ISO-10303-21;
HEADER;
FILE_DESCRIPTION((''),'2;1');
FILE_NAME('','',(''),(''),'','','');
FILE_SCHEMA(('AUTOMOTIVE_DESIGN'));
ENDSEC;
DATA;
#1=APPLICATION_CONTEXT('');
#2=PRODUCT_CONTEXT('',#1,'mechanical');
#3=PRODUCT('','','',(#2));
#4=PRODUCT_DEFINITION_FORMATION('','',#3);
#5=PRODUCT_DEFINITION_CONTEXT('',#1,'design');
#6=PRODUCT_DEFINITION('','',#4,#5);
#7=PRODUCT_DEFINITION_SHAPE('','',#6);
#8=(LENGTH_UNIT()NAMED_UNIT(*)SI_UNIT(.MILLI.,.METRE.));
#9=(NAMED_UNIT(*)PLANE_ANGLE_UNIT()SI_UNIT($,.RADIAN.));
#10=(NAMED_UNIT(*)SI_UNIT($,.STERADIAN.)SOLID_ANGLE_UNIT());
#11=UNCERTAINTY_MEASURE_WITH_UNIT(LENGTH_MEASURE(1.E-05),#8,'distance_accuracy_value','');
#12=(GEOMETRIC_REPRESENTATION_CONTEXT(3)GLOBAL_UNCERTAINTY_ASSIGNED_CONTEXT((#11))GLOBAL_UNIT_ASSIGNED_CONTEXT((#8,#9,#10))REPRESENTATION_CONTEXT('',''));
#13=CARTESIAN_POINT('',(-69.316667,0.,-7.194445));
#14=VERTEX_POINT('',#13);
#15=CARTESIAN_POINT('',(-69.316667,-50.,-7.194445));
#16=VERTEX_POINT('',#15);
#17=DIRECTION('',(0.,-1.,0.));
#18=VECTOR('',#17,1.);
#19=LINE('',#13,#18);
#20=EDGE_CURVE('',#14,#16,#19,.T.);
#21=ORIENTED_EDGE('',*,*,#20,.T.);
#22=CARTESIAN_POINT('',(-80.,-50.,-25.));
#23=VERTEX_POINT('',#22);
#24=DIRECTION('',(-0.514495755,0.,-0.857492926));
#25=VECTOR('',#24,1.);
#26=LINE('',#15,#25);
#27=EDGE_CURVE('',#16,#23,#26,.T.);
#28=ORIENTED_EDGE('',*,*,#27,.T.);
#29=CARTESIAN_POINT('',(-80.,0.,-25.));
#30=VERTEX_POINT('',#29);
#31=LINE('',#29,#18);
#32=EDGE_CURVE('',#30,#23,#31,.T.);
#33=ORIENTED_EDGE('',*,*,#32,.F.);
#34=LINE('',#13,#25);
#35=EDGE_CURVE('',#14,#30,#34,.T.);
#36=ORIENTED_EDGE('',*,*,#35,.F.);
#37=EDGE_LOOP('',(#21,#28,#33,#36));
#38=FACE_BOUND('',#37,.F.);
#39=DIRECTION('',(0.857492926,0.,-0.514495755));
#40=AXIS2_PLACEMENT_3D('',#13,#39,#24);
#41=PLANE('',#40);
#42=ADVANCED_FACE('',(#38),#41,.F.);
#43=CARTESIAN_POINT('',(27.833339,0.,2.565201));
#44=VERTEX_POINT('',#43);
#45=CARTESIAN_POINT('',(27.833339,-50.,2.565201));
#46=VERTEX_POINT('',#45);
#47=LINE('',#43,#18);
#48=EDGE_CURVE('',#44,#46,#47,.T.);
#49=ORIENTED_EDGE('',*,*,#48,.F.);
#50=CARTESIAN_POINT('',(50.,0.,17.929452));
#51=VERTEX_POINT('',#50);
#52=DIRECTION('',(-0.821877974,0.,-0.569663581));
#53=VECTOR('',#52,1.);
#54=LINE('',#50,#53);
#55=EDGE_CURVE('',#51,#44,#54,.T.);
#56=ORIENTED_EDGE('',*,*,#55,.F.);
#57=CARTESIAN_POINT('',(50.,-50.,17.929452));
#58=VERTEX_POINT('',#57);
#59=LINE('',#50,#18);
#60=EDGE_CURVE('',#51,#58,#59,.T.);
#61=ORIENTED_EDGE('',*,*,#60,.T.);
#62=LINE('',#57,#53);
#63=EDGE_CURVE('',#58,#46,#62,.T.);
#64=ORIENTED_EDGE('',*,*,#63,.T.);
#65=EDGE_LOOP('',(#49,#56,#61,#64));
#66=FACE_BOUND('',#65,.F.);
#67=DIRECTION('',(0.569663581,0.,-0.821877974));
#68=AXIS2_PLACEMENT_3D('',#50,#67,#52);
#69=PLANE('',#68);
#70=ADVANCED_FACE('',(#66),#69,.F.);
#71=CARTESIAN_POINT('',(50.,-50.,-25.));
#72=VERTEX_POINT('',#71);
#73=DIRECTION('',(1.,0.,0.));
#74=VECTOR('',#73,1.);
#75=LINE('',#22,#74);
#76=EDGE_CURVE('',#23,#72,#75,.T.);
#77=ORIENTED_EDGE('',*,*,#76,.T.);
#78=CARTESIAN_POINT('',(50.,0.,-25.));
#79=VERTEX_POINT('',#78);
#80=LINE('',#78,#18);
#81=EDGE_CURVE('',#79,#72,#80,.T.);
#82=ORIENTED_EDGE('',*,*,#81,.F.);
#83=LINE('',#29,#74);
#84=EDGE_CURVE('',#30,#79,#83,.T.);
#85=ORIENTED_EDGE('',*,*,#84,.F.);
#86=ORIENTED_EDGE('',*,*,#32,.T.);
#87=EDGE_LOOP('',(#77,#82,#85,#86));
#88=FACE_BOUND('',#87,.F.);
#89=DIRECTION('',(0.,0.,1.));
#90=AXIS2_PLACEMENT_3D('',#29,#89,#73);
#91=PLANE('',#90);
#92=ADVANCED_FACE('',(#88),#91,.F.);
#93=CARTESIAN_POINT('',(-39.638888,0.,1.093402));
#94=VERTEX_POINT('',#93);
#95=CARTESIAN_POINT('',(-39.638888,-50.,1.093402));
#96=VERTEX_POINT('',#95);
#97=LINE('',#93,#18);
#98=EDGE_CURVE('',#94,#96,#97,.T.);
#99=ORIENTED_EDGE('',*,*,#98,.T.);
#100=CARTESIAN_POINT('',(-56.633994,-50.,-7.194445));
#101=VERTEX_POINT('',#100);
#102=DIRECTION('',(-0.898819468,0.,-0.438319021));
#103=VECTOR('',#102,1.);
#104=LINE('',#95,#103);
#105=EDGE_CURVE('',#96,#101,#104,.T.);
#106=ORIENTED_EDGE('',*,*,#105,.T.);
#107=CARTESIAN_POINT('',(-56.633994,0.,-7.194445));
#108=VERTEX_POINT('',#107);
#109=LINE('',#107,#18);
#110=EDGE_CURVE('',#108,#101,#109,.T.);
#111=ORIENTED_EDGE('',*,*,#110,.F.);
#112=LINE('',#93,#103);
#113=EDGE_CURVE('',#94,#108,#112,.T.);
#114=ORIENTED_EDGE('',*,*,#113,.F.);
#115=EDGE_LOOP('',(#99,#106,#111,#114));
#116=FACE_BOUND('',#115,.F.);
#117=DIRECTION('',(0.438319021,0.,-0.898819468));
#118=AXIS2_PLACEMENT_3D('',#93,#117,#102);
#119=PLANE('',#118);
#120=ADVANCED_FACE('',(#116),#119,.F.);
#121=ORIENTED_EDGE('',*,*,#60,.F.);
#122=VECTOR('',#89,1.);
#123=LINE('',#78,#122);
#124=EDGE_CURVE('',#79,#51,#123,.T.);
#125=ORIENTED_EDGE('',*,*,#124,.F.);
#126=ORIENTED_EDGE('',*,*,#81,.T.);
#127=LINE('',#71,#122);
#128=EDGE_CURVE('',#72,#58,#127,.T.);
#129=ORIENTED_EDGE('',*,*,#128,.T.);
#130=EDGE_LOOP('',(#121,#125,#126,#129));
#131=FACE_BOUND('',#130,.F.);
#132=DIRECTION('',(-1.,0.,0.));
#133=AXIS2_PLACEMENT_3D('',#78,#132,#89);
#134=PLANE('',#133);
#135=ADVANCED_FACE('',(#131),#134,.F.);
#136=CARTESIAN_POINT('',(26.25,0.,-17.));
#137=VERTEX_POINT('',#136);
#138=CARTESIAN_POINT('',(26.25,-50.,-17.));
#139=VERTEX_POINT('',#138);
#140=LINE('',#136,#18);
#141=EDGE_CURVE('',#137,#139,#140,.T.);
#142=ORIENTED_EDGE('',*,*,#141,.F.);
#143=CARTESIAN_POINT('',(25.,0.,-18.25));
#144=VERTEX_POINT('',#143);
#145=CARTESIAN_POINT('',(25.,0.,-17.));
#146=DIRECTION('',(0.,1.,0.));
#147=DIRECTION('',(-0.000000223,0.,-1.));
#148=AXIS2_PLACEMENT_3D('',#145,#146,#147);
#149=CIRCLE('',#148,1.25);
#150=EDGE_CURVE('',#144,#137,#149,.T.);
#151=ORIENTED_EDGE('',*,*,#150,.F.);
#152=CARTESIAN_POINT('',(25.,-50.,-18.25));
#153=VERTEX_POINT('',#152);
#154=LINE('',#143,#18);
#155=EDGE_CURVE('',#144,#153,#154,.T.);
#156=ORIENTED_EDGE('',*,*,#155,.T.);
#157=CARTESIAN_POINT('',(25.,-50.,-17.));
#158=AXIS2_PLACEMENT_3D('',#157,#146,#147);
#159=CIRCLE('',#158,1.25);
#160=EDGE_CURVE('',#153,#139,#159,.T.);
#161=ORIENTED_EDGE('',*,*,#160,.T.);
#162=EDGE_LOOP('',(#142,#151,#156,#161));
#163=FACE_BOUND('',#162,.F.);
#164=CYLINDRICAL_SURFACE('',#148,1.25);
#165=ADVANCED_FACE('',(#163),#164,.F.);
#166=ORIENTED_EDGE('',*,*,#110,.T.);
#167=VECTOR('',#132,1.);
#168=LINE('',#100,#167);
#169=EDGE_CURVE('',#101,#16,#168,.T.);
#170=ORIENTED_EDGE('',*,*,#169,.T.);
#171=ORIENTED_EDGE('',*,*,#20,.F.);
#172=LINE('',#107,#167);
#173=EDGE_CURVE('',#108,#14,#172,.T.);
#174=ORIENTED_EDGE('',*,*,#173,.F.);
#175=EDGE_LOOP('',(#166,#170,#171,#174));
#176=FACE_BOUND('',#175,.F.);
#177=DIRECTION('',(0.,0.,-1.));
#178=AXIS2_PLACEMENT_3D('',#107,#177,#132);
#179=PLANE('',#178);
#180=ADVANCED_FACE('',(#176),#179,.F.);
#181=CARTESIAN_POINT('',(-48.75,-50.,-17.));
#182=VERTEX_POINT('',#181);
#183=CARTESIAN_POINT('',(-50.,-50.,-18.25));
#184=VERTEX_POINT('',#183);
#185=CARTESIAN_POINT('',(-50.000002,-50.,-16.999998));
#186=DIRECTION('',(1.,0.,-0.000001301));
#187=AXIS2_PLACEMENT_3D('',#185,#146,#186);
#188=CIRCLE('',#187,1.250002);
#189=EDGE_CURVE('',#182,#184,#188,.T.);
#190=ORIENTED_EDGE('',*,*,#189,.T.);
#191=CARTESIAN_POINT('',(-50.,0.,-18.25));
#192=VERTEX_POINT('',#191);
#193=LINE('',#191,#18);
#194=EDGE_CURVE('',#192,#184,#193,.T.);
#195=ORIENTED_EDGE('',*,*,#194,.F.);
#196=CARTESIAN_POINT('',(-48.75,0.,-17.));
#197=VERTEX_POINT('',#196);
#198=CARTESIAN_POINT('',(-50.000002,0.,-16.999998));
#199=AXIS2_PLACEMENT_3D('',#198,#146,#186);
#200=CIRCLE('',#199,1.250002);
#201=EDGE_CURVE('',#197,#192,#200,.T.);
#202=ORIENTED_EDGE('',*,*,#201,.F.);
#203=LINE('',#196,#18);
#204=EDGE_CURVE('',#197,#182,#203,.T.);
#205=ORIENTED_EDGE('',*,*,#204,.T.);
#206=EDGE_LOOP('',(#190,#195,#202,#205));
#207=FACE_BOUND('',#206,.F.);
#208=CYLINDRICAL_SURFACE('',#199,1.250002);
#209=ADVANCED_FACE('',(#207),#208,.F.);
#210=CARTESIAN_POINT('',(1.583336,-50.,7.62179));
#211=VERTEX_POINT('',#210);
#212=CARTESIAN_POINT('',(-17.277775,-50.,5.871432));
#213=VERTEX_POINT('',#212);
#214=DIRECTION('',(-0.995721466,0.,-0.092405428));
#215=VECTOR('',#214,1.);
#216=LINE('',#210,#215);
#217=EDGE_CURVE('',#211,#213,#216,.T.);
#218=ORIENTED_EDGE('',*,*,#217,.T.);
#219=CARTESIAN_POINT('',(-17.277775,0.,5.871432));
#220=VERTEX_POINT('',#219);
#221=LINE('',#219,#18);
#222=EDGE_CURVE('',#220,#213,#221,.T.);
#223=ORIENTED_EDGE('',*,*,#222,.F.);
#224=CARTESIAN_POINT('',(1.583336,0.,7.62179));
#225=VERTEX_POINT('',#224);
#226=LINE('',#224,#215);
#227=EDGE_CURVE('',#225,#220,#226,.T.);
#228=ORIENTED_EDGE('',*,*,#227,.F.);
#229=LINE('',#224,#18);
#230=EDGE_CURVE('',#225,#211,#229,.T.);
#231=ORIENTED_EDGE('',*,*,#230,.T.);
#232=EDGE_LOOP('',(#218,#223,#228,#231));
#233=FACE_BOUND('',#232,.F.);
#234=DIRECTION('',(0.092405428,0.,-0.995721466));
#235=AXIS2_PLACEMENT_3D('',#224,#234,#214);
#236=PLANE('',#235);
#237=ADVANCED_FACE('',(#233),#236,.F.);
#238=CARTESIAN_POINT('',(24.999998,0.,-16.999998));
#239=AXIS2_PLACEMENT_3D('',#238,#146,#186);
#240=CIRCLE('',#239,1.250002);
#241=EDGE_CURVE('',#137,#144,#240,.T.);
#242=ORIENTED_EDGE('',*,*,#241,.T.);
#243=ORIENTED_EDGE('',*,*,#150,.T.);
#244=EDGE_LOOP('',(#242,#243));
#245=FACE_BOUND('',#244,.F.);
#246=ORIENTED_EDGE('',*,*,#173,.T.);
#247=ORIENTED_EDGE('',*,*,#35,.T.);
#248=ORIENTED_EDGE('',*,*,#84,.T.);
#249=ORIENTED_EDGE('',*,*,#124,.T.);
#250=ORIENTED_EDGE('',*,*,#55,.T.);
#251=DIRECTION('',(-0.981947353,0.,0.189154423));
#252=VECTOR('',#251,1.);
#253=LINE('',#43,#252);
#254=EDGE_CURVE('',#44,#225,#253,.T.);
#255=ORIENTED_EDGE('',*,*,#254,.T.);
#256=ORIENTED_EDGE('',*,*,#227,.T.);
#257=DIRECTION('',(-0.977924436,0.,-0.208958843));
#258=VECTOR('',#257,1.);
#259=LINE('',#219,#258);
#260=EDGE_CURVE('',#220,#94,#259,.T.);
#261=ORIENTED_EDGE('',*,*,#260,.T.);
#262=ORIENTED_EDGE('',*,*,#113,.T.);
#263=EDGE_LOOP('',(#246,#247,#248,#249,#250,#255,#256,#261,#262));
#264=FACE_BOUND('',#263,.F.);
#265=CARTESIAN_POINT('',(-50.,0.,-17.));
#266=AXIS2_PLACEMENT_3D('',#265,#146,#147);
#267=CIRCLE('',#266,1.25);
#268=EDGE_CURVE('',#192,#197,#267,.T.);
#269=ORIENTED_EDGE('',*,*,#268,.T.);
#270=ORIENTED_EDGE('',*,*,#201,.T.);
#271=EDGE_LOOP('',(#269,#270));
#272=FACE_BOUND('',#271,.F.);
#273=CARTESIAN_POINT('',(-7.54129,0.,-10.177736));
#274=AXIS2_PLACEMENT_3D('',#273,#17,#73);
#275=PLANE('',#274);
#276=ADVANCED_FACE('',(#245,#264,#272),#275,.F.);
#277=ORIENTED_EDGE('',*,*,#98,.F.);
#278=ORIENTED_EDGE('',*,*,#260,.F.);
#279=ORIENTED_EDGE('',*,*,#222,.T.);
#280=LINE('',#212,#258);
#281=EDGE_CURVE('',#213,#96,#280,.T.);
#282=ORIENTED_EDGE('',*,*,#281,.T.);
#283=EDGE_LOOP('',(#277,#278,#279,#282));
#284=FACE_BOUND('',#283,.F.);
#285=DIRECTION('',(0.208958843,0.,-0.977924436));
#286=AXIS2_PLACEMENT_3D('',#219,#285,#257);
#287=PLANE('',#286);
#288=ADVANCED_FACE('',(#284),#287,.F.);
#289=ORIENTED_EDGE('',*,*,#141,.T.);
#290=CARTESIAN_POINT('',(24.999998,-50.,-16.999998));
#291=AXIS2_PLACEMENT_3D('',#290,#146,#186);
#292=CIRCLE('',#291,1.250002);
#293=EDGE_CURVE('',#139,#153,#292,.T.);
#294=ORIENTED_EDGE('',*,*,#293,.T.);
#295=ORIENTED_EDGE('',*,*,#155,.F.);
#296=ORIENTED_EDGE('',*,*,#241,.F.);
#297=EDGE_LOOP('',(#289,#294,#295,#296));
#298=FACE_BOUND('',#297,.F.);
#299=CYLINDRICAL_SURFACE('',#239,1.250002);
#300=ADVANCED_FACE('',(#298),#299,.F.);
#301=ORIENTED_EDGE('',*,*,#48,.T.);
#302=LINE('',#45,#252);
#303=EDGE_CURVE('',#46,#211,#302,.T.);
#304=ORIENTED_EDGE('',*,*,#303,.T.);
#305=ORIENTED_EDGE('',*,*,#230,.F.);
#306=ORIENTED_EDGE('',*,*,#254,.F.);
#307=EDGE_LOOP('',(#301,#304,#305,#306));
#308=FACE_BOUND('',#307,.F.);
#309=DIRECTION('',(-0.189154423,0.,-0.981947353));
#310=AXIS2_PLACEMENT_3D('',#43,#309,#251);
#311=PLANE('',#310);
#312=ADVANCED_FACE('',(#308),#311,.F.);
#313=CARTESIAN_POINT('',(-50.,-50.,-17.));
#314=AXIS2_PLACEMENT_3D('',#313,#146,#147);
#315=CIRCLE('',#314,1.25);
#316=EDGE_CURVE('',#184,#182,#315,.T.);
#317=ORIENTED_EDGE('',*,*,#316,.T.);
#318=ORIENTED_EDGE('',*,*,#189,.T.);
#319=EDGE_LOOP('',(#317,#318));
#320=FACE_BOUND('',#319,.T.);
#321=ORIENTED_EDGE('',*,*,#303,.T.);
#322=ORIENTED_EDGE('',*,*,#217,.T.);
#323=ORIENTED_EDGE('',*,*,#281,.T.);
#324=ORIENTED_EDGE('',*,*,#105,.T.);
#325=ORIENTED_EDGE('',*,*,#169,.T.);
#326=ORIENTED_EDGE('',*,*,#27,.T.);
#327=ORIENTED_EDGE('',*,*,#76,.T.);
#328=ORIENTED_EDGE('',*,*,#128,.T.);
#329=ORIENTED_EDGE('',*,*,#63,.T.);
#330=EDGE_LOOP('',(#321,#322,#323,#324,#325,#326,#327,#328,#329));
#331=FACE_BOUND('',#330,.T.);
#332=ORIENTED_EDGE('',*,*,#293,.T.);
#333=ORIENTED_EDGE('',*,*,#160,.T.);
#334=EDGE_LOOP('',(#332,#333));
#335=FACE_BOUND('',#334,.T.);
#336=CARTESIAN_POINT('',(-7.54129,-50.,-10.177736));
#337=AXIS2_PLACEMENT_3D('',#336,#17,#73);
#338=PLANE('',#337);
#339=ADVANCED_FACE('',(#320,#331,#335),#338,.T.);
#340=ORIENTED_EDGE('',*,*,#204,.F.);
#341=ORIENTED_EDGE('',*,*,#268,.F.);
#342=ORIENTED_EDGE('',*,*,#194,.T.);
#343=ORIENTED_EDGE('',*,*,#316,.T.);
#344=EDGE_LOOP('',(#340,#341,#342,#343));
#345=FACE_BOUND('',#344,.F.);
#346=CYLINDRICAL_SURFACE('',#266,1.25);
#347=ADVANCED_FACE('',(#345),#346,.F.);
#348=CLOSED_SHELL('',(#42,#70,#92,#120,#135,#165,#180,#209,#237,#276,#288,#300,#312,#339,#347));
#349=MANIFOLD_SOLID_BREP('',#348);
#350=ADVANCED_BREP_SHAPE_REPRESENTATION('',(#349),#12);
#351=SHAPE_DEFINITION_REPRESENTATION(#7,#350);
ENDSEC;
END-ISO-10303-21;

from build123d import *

# Parameters (mm, degrees)
F1_DEPTH = 50


with BuildPart() as f1:
    # F0 (on Front) → F1 (new body)
    with BuildSketch(Plane.XZ):
        Polygon((25, -25), (50, -25), (50, 17.929452), (27.833339, 2.565201), (1.583336, 7.62179), (-17.277775, 5.871432), (-39.638888, 1.093402), (-56.633994, -7.194445), (-69.316667, -7.194445), (-80, -25), (-50, -25), align=None)
        with BuildLine():
            ThreePointArc((-50, -18.25), (-50.883883, -16.116117), (-48.75, -17))
            ThreePointArc((-48.75, -17), (-49.116117, -17.883883), (-50, -18.25))
        make_face(mode=Mode.SUBTRACT)
        with BuildLine():
            ThreePointArc((25, -18.25), (24.116117, -16.116117), (26.25, -17))
            ThreePointArc((26.25, -17), (25.883883, -17.883883), (25, -18.25))
        make_face(mode=Mode.SUBTRACT)
    extrude(amount=F1_DEPTH)


solid = f1.part
